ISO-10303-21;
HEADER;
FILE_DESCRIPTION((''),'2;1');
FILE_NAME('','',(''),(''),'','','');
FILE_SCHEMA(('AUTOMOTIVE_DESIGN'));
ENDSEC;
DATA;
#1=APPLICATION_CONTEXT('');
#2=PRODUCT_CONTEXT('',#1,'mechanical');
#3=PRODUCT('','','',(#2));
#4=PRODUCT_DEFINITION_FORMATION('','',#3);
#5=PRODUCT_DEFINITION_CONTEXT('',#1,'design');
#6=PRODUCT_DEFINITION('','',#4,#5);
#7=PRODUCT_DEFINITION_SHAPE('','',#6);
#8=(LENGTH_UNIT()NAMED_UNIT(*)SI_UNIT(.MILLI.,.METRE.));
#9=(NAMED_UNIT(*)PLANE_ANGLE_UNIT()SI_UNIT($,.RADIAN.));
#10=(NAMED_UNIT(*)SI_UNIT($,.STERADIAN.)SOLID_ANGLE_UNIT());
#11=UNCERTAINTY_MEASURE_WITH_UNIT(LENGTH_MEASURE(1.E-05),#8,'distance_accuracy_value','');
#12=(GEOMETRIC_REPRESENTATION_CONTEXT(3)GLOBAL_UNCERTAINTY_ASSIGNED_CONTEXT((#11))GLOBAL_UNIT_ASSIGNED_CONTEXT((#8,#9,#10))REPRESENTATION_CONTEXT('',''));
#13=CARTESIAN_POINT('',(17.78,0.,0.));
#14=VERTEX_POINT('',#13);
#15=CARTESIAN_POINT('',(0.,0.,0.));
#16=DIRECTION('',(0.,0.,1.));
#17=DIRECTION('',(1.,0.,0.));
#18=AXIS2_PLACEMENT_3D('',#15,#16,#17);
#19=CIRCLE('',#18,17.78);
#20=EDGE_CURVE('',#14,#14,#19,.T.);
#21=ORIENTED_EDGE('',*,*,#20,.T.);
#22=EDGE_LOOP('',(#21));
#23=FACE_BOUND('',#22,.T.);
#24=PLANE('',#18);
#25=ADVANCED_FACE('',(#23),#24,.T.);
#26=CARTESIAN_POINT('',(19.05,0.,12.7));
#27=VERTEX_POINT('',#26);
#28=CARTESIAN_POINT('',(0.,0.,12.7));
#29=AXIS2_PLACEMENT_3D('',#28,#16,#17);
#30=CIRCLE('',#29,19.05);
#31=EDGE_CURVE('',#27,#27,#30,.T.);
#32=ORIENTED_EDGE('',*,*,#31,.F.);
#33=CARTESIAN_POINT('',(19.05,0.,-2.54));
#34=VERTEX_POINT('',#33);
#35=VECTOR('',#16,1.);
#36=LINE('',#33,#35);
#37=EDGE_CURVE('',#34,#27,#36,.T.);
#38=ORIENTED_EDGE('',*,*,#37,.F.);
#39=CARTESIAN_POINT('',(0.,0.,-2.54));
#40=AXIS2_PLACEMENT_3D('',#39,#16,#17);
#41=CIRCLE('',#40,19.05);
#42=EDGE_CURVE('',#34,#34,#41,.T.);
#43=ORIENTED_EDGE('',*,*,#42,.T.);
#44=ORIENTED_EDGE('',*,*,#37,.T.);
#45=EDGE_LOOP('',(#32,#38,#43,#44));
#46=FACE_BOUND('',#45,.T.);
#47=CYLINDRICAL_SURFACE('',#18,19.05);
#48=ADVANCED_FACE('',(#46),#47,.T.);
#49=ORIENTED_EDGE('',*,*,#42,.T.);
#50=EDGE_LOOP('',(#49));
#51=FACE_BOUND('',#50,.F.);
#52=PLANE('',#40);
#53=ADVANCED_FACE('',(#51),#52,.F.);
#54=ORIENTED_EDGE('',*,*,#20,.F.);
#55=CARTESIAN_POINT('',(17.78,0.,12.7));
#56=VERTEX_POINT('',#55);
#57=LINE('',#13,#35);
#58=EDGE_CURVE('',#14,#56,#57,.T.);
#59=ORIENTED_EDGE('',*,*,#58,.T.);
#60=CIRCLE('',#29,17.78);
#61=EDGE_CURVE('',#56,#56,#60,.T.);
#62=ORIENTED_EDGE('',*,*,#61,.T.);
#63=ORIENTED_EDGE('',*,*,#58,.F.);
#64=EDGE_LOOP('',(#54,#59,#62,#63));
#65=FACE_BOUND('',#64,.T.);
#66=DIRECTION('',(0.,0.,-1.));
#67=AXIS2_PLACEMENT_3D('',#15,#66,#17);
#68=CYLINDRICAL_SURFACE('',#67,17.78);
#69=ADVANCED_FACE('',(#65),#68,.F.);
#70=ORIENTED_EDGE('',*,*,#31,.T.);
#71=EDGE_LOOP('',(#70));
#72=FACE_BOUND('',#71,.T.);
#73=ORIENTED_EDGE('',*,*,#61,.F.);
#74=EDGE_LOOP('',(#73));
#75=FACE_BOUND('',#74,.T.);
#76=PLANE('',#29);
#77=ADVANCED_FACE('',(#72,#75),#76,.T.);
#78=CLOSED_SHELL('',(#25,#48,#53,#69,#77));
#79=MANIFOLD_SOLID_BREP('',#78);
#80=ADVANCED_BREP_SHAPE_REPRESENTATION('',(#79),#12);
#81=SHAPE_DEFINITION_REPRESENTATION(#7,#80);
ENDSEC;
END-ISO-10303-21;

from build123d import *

# Parameters (mm, degrees)
F0_R     = 19.05
F0_R_2   = 17.78
F1_DEPTH = 12.7
F2_R     = 19.05
F3_DEPTH = 2.54


with BuildPart() as f1:
    # F0 (on Top) → F1 (new body)
    with BuildSketch(Plane.XY):
        Circle(F0_R)
        Circle(F0_R_2, mode=Mode.SUBTRACT)
    extrude(amount=F1_DEPTH)

    # F2 (on Top) → F3 (join)
    with BuildSketch(Plane.XY):
        Circle(F2_R)
    extrude(amount=-F3_DEPTH)


solid = f1.part
